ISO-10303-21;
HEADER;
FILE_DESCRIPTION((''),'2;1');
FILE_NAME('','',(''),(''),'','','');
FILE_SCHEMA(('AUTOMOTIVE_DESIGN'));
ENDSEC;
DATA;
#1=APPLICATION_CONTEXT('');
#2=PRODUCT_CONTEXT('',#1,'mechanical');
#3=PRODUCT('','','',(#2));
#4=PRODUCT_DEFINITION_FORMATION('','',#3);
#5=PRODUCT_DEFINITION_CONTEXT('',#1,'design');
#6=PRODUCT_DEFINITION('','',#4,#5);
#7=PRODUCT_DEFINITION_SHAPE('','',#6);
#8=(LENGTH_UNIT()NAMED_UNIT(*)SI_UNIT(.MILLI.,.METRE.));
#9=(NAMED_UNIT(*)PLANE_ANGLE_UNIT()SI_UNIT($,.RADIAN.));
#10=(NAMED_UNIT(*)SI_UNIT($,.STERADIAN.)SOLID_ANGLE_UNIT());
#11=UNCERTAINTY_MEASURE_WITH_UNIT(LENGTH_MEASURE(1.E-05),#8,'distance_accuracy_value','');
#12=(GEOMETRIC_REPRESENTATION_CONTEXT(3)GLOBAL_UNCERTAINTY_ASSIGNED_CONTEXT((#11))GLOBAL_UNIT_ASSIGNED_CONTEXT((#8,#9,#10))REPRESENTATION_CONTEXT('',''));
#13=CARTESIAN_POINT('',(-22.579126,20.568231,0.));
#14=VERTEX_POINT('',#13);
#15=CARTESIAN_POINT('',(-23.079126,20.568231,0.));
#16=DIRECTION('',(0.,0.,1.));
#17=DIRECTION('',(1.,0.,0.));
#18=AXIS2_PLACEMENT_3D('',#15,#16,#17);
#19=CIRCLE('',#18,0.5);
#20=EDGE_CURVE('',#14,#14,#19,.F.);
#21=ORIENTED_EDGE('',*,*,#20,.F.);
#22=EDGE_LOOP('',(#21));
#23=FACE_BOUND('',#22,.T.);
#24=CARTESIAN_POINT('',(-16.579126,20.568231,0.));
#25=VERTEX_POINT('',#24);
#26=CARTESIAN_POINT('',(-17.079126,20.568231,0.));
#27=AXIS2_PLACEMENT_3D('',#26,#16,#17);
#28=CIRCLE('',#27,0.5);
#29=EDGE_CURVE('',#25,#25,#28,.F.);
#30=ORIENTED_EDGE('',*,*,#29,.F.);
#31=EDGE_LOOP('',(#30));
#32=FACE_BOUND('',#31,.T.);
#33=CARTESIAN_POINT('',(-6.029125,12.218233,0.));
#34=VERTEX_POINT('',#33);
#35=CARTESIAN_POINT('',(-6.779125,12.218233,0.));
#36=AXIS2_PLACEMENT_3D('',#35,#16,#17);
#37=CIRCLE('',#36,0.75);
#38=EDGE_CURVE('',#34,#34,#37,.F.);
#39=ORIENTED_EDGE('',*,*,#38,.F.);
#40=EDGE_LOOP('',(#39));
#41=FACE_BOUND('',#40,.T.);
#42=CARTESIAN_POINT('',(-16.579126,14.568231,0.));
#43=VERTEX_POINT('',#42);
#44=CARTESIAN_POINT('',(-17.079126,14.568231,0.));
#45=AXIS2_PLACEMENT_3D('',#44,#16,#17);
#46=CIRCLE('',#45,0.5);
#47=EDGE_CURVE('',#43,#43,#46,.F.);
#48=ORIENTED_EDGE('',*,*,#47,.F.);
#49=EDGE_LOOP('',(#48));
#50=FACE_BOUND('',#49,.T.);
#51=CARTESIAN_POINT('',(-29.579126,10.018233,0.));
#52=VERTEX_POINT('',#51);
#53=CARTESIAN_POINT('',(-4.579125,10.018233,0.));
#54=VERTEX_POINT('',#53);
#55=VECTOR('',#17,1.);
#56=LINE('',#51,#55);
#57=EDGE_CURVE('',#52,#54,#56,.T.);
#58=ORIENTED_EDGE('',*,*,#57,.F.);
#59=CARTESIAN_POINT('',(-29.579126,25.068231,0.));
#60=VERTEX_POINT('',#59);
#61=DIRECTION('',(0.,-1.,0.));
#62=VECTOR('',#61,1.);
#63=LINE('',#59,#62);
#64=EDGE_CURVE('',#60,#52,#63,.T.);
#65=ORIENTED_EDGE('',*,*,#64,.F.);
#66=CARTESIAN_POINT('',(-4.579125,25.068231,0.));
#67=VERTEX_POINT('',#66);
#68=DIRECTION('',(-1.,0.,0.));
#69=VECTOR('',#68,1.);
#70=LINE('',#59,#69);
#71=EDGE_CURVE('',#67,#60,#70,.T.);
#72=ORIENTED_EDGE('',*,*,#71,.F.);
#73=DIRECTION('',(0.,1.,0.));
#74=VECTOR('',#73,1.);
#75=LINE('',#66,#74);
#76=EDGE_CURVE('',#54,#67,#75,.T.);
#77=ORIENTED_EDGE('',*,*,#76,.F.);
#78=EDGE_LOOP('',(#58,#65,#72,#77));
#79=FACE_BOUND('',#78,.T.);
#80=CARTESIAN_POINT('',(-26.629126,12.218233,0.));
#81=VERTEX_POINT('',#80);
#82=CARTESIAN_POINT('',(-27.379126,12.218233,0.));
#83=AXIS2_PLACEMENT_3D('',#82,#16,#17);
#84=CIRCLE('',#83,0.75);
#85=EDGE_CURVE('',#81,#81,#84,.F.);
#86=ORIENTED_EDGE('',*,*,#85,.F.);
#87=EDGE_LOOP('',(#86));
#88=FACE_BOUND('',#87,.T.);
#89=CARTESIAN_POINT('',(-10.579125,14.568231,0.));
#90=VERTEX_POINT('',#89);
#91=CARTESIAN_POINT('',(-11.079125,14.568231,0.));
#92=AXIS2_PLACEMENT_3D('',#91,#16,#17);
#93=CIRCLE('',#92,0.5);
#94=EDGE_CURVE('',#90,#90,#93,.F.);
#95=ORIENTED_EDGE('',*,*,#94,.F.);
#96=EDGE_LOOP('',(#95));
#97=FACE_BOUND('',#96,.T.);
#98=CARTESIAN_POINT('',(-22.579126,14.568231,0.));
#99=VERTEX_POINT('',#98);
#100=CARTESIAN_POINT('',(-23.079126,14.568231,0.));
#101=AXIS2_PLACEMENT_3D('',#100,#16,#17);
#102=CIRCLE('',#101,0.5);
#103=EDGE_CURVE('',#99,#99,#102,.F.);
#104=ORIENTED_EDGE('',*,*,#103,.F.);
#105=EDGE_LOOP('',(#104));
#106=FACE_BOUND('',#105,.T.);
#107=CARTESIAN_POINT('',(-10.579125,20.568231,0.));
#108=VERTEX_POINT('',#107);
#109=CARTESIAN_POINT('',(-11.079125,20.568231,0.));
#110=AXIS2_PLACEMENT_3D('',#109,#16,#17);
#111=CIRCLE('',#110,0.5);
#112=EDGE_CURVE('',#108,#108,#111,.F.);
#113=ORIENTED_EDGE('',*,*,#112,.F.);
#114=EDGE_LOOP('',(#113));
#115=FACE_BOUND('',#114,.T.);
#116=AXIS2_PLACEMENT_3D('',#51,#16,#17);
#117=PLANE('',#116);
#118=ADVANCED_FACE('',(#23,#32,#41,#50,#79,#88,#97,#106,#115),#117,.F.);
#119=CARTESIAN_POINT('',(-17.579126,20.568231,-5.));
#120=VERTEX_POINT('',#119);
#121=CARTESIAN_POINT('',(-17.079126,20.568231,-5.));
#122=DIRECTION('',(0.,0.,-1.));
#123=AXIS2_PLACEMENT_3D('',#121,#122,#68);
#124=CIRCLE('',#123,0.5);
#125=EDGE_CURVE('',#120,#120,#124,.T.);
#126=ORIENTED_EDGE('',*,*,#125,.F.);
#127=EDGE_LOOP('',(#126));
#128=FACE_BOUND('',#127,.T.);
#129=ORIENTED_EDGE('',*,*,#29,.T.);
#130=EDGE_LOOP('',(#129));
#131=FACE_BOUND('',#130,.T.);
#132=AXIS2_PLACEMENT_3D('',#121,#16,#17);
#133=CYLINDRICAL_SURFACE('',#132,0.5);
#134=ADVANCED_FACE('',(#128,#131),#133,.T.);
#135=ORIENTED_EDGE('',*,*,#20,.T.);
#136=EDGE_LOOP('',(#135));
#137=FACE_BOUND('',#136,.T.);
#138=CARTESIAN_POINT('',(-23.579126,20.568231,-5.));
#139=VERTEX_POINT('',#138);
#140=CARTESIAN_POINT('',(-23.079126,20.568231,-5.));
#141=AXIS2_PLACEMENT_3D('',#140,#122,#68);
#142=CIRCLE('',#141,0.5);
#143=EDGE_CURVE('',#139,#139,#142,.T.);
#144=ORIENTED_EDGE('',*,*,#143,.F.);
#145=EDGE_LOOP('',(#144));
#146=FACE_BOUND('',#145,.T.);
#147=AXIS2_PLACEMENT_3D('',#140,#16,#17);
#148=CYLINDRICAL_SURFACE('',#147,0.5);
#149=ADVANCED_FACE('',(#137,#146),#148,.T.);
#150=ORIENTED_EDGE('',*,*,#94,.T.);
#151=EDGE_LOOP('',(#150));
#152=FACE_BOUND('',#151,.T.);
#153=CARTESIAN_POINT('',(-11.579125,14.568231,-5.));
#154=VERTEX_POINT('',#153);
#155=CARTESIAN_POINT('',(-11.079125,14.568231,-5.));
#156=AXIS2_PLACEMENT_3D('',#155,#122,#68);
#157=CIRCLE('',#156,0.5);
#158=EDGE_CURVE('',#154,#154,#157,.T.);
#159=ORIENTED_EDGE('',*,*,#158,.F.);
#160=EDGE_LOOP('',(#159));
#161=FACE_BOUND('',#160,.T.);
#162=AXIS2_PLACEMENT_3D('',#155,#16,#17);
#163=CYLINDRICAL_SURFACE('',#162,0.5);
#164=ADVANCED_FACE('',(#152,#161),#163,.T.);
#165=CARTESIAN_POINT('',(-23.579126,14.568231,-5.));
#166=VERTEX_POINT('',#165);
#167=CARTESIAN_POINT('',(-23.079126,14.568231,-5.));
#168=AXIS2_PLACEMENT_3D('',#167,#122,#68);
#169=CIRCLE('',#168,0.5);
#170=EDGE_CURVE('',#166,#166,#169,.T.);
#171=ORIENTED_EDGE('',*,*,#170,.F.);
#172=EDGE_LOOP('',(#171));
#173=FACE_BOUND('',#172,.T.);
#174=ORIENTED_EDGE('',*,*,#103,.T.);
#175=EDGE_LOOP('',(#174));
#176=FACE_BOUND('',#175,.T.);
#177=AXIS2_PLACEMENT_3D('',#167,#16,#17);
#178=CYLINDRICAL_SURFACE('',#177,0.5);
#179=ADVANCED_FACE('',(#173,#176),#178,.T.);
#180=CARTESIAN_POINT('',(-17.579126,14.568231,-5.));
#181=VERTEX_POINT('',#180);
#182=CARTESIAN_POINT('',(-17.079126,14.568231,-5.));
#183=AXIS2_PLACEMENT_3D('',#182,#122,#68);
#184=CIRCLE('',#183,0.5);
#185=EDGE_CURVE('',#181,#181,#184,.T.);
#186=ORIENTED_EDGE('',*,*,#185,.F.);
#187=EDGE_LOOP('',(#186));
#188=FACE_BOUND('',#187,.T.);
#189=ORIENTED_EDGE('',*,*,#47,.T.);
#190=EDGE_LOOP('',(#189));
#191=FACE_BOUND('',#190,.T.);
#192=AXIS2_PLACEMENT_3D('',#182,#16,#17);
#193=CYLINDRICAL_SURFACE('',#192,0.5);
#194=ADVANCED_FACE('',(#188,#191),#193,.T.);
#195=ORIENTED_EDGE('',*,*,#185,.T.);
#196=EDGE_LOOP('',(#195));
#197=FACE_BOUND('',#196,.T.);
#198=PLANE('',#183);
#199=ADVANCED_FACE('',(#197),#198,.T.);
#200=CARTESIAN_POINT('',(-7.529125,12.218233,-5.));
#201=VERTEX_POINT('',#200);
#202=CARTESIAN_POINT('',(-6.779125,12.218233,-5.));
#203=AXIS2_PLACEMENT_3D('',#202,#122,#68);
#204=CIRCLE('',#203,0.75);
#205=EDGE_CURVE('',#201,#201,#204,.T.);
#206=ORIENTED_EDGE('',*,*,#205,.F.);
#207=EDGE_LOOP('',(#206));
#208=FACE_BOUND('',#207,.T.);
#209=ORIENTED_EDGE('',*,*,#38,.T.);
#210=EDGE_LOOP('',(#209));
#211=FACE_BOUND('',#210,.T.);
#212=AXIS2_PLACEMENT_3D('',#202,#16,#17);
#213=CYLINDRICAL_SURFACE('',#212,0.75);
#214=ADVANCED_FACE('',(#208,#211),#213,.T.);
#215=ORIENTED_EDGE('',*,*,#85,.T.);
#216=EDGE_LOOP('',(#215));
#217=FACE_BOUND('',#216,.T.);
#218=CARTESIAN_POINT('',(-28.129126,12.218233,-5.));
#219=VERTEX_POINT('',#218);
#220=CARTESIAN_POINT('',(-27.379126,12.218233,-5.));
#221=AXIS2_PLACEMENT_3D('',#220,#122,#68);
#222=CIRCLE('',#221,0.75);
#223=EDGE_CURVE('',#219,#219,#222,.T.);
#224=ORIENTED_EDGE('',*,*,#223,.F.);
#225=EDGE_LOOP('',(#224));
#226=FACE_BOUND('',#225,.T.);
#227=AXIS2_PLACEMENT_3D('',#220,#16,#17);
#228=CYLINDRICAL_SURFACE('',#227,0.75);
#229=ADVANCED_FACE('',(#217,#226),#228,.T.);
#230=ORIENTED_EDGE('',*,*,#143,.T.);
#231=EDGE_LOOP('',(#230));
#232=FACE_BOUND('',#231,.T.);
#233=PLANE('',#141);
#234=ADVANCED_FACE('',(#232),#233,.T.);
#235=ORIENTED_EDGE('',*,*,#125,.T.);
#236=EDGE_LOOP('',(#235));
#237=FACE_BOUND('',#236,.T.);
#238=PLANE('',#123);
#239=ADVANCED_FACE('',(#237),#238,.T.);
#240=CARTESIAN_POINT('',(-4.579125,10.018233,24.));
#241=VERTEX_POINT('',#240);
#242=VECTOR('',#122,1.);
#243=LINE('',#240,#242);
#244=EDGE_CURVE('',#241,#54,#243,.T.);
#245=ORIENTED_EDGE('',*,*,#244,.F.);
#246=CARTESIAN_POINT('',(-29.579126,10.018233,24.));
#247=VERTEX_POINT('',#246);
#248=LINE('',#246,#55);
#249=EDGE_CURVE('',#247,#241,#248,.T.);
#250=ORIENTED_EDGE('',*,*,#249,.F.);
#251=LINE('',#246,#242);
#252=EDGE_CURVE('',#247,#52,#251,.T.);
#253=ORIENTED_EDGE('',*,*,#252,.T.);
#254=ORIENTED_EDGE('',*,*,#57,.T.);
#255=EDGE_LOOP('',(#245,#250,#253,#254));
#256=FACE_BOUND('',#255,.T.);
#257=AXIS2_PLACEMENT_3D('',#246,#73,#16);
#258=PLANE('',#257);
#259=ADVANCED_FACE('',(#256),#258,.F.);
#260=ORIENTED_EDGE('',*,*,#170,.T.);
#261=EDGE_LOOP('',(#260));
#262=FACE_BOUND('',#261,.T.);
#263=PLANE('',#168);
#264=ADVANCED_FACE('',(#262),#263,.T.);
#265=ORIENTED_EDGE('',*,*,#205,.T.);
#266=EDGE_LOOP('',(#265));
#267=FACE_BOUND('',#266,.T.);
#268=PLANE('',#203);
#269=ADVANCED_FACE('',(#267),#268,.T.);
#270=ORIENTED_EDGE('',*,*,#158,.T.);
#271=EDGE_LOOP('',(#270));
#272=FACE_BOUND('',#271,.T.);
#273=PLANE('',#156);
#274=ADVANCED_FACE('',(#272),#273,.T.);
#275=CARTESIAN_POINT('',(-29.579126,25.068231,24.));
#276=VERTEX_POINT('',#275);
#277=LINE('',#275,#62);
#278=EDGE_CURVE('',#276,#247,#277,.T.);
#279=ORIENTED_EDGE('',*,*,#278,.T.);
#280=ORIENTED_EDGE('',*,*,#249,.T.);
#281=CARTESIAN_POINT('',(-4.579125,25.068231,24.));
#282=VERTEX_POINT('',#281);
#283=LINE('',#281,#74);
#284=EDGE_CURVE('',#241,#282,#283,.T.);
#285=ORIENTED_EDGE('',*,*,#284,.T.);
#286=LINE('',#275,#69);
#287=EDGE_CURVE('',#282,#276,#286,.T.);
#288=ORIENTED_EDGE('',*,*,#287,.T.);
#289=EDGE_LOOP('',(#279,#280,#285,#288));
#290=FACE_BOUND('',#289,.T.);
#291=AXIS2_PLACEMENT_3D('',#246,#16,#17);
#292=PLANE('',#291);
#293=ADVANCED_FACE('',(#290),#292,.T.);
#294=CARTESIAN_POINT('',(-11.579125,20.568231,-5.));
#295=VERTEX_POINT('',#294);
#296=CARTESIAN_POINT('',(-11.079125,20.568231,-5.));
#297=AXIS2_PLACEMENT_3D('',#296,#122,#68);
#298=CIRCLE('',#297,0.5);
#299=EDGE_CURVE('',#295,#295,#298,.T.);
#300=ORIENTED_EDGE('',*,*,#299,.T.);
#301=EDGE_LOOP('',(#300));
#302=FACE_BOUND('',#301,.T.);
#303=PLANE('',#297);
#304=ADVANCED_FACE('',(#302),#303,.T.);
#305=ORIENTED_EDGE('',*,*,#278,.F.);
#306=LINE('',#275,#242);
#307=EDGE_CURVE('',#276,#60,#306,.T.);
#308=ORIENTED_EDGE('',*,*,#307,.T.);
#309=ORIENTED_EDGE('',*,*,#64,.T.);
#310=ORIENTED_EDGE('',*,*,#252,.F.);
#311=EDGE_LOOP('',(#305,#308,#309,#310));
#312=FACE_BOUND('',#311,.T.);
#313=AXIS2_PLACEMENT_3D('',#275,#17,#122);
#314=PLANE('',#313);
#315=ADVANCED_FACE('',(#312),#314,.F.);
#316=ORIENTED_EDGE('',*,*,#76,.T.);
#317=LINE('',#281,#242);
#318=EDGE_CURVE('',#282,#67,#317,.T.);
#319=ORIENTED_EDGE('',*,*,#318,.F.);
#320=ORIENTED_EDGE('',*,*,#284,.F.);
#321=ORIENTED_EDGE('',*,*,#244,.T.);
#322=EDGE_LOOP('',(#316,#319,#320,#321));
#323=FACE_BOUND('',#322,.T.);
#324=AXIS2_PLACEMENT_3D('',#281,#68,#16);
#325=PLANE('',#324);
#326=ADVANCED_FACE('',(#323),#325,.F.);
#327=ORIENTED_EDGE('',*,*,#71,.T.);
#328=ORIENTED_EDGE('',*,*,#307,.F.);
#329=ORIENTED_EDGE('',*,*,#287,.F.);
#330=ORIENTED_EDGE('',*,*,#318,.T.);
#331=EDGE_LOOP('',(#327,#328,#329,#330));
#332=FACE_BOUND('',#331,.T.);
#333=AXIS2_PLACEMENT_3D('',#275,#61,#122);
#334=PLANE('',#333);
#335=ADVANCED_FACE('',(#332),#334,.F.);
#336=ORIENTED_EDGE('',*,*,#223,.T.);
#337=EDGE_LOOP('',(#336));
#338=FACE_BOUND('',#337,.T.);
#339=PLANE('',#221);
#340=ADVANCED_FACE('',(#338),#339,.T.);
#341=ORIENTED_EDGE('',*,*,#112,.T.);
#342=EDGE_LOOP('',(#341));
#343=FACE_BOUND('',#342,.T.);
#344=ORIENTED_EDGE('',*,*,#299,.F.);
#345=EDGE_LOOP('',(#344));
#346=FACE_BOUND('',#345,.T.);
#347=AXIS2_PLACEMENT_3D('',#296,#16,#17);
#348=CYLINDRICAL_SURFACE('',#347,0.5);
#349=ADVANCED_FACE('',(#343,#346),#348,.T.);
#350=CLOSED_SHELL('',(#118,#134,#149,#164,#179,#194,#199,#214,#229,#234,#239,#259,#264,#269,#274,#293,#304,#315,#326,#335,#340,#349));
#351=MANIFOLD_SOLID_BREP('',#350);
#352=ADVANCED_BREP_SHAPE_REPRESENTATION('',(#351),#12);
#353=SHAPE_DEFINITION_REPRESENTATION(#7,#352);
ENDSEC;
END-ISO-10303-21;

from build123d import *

# Parameters (mm, degrees)
SKETCH_2_W      = 25.0000008
SKETCH_2_H      = 15.04999784
EXTRUDE_2_DEPTH = 24
SKETCH_3_R      = 0.75
SKETCH_3_R_2    = 0.5
EXTRUDE_3_DEPTH = 5


with BuildPart() as part:
    # Эскиз2 → Бобышка-Вытянуть2 (new body)
    with BuildSketch(Plane.XY):
        with Locations((-17.07912528, 17.543231945)):
            Rectangle(SKETCH_2_W, SKETCH_2_H)
    extrude(amount=EXTRUDE_2_DEPTH)

    # Эскиз3 → Бобышка-Вытянуть3 (add)
    with BuildSketch(Plane(origin=(0, 0, 0), x_dir=(-1, 0, 0), z_dir=(0, 0, -1))):
        with Locations(Location((6.77912488, 12.218233025, 0), (0, 0, 180))):
            Circle(SKETCH_3_R)
        with Locations(Location((11.07912488, 14.568230865, 0), (0, 0, 180))):
            Circle(SKETCH_3_R_2)
        with Locations(Location((17.07912558, 14.568230865, 0), (0, 0, 180))):
            Circle(SKETCH_3_R_2)
        with Locations(Location((11.07912488, 20.568230865, 0), (0, 0, 180))):
            Circle(SKETCH_3_R_2)
        with Locations(Location((17.07912558, 20.568230865, 0), (0, 0, 180))):
            Circle(SKETCH_3_R_2)
        with Locations(Location((23.07912628, 20.568230865, 0), (0, 0, 180))):
            Circle(SKETCH_3_R_2)
        with Locations(Location((23.07912628, 14.568230865, 0), (0, 0, 180))):
            Circle(SKETCH_3_R_2)
        with Locations(Location((27.37912568, 12.218233025, 0), (0, 0, 180))):
            Circle(SKETCH_3_R)
    extrude(amount=EXTRUDE_3_DEPTH)


solid = part.part
